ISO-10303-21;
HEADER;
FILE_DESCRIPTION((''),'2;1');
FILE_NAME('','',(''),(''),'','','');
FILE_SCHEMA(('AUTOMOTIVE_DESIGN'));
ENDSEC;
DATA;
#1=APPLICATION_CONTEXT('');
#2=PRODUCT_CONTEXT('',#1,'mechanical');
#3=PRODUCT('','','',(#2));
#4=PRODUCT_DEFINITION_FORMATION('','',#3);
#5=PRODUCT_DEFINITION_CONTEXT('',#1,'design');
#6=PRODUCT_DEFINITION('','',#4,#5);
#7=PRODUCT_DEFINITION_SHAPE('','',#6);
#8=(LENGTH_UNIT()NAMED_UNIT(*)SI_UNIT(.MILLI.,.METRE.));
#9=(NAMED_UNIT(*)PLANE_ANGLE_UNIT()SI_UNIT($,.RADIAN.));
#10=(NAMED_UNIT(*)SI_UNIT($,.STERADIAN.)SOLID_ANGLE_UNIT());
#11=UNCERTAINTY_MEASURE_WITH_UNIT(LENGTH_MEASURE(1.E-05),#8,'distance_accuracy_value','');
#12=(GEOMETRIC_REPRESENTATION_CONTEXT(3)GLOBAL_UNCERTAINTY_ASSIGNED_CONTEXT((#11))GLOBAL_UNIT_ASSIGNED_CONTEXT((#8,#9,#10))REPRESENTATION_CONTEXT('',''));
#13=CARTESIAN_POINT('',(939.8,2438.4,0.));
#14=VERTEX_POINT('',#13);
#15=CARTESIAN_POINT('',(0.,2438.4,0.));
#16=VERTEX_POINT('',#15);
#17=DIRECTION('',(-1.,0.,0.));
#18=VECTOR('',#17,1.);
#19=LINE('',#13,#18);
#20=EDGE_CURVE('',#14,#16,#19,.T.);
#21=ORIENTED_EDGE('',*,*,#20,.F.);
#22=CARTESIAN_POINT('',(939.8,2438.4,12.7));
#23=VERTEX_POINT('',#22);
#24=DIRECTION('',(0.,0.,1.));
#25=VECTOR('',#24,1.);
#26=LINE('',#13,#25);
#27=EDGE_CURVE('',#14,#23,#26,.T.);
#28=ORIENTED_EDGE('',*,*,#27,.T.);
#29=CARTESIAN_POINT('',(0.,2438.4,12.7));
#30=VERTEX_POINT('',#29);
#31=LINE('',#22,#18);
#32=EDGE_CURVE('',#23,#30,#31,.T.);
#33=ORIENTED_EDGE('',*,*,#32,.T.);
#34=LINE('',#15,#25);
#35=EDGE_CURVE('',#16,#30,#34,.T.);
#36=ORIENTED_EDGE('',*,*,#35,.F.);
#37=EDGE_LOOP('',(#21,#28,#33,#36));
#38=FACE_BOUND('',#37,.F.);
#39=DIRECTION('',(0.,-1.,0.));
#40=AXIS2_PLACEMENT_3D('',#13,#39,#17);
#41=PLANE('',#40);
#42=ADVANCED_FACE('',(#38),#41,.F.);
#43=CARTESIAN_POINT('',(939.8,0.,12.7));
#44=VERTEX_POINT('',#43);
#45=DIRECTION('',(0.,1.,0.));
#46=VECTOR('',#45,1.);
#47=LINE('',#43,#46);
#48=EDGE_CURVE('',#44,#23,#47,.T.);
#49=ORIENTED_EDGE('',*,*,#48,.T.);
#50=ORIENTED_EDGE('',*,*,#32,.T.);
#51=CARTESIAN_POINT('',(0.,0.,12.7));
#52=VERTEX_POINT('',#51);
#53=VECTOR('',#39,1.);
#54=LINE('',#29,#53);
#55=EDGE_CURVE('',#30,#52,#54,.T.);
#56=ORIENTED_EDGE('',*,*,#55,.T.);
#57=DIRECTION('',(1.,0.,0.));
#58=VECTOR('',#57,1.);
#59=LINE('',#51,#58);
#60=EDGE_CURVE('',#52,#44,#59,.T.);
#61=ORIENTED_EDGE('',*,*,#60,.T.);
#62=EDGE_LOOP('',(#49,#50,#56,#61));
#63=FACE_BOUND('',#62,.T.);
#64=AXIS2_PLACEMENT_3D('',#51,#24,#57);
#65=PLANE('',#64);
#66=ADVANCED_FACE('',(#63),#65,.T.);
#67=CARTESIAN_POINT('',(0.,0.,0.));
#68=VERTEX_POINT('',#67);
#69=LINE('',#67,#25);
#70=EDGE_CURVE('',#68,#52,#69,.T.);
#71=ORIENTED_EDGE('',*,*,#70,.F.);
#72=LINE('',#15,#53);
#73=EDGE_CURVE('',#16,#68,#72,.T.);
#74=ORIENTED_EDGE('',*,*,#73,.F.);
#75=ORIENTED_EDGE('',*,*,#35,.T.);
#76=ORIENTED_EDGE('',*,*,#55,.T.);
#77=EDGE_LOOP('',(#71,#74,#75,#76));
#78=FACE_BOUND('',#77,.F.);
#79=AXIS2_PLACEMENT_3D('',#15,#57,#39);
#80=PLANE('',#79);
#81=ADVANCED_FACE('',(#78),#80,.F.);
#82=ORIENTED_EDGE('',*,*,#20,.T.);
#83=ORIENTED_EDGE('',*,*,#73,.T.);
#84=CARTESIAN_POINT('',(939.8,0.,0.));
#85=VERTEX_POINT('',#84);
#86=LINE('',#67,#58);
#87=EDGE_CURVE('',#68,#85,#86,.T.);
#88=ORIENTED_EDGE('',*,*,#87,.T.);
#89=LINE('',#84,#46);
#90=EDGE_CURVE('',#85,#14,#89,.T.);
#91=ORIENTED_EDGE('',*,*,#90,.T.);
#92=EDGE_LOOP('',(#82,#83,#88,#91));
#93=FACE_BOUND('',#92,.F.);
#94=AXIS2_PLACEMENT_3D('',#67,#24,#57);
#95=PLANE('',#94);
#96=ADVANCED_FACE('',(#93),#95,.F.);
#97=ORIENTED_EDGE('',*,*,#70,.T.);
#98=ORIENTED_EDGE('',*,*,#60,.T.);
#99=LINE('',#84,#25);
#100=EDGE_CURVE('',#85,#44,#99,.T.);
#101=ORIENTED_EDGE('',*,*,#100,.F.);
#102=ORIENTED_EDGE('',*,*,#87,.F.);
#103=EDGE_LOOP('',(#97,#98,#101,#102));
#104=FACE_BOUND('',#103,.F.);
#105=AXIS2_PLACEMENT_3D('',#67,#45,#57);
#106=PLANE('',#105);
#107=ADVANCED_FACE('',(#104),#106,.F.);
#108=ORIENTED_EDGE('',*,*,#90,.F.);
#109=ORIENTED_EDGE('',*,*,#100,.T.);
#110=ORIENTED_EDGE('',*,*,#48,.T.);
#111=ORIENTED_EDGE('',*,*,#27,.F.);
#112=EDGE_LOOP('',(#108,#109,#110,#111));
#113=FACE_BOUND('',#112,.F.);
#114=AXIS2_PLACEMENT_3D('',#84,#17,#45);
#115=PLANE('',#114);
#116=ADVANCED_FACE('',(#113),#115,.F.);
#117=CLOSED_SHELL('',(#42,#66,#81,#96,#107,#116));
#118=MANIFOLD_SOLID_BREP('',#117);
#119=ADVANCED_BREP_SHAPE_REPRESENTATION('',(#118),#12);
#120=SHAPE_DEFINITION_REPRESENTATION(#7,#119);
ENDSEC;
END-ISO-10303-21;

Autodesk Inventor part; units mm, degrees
ref_plane "YZ Plane" through (0, 0, 0) normal (1, 0, 0) x (0, 1, 0)
ref_plane "XZ Plane" through (0, 0, 0) normal (0, 1, 0) x (-1, 0, 0)
ref_plane "XY Plane" through (0, 0, 0) normal (0, 0, 1) x (1, 0, 0)
sketch "Sketch1" plane through (0, 0, 0) normal (0, 0, 1) x (1, 0, 0)
  line L0 (0, 0) -> (939.8, 0)
  line L1 (939.8, 0) -> (939.8, 2438.4)
  line L2 (939.8, 2438.4) -> (0, 2438.4)
  line L3 (0, 2438.4) -> (0, 0)
  dimension "d2" = 2438.4
  dimension "d3" = 939.8
extrude "Extrusion1" add sketch "Sketch1" along normal blind 12.7
properties part number "Sheathing" material "Wood (Birch)"
